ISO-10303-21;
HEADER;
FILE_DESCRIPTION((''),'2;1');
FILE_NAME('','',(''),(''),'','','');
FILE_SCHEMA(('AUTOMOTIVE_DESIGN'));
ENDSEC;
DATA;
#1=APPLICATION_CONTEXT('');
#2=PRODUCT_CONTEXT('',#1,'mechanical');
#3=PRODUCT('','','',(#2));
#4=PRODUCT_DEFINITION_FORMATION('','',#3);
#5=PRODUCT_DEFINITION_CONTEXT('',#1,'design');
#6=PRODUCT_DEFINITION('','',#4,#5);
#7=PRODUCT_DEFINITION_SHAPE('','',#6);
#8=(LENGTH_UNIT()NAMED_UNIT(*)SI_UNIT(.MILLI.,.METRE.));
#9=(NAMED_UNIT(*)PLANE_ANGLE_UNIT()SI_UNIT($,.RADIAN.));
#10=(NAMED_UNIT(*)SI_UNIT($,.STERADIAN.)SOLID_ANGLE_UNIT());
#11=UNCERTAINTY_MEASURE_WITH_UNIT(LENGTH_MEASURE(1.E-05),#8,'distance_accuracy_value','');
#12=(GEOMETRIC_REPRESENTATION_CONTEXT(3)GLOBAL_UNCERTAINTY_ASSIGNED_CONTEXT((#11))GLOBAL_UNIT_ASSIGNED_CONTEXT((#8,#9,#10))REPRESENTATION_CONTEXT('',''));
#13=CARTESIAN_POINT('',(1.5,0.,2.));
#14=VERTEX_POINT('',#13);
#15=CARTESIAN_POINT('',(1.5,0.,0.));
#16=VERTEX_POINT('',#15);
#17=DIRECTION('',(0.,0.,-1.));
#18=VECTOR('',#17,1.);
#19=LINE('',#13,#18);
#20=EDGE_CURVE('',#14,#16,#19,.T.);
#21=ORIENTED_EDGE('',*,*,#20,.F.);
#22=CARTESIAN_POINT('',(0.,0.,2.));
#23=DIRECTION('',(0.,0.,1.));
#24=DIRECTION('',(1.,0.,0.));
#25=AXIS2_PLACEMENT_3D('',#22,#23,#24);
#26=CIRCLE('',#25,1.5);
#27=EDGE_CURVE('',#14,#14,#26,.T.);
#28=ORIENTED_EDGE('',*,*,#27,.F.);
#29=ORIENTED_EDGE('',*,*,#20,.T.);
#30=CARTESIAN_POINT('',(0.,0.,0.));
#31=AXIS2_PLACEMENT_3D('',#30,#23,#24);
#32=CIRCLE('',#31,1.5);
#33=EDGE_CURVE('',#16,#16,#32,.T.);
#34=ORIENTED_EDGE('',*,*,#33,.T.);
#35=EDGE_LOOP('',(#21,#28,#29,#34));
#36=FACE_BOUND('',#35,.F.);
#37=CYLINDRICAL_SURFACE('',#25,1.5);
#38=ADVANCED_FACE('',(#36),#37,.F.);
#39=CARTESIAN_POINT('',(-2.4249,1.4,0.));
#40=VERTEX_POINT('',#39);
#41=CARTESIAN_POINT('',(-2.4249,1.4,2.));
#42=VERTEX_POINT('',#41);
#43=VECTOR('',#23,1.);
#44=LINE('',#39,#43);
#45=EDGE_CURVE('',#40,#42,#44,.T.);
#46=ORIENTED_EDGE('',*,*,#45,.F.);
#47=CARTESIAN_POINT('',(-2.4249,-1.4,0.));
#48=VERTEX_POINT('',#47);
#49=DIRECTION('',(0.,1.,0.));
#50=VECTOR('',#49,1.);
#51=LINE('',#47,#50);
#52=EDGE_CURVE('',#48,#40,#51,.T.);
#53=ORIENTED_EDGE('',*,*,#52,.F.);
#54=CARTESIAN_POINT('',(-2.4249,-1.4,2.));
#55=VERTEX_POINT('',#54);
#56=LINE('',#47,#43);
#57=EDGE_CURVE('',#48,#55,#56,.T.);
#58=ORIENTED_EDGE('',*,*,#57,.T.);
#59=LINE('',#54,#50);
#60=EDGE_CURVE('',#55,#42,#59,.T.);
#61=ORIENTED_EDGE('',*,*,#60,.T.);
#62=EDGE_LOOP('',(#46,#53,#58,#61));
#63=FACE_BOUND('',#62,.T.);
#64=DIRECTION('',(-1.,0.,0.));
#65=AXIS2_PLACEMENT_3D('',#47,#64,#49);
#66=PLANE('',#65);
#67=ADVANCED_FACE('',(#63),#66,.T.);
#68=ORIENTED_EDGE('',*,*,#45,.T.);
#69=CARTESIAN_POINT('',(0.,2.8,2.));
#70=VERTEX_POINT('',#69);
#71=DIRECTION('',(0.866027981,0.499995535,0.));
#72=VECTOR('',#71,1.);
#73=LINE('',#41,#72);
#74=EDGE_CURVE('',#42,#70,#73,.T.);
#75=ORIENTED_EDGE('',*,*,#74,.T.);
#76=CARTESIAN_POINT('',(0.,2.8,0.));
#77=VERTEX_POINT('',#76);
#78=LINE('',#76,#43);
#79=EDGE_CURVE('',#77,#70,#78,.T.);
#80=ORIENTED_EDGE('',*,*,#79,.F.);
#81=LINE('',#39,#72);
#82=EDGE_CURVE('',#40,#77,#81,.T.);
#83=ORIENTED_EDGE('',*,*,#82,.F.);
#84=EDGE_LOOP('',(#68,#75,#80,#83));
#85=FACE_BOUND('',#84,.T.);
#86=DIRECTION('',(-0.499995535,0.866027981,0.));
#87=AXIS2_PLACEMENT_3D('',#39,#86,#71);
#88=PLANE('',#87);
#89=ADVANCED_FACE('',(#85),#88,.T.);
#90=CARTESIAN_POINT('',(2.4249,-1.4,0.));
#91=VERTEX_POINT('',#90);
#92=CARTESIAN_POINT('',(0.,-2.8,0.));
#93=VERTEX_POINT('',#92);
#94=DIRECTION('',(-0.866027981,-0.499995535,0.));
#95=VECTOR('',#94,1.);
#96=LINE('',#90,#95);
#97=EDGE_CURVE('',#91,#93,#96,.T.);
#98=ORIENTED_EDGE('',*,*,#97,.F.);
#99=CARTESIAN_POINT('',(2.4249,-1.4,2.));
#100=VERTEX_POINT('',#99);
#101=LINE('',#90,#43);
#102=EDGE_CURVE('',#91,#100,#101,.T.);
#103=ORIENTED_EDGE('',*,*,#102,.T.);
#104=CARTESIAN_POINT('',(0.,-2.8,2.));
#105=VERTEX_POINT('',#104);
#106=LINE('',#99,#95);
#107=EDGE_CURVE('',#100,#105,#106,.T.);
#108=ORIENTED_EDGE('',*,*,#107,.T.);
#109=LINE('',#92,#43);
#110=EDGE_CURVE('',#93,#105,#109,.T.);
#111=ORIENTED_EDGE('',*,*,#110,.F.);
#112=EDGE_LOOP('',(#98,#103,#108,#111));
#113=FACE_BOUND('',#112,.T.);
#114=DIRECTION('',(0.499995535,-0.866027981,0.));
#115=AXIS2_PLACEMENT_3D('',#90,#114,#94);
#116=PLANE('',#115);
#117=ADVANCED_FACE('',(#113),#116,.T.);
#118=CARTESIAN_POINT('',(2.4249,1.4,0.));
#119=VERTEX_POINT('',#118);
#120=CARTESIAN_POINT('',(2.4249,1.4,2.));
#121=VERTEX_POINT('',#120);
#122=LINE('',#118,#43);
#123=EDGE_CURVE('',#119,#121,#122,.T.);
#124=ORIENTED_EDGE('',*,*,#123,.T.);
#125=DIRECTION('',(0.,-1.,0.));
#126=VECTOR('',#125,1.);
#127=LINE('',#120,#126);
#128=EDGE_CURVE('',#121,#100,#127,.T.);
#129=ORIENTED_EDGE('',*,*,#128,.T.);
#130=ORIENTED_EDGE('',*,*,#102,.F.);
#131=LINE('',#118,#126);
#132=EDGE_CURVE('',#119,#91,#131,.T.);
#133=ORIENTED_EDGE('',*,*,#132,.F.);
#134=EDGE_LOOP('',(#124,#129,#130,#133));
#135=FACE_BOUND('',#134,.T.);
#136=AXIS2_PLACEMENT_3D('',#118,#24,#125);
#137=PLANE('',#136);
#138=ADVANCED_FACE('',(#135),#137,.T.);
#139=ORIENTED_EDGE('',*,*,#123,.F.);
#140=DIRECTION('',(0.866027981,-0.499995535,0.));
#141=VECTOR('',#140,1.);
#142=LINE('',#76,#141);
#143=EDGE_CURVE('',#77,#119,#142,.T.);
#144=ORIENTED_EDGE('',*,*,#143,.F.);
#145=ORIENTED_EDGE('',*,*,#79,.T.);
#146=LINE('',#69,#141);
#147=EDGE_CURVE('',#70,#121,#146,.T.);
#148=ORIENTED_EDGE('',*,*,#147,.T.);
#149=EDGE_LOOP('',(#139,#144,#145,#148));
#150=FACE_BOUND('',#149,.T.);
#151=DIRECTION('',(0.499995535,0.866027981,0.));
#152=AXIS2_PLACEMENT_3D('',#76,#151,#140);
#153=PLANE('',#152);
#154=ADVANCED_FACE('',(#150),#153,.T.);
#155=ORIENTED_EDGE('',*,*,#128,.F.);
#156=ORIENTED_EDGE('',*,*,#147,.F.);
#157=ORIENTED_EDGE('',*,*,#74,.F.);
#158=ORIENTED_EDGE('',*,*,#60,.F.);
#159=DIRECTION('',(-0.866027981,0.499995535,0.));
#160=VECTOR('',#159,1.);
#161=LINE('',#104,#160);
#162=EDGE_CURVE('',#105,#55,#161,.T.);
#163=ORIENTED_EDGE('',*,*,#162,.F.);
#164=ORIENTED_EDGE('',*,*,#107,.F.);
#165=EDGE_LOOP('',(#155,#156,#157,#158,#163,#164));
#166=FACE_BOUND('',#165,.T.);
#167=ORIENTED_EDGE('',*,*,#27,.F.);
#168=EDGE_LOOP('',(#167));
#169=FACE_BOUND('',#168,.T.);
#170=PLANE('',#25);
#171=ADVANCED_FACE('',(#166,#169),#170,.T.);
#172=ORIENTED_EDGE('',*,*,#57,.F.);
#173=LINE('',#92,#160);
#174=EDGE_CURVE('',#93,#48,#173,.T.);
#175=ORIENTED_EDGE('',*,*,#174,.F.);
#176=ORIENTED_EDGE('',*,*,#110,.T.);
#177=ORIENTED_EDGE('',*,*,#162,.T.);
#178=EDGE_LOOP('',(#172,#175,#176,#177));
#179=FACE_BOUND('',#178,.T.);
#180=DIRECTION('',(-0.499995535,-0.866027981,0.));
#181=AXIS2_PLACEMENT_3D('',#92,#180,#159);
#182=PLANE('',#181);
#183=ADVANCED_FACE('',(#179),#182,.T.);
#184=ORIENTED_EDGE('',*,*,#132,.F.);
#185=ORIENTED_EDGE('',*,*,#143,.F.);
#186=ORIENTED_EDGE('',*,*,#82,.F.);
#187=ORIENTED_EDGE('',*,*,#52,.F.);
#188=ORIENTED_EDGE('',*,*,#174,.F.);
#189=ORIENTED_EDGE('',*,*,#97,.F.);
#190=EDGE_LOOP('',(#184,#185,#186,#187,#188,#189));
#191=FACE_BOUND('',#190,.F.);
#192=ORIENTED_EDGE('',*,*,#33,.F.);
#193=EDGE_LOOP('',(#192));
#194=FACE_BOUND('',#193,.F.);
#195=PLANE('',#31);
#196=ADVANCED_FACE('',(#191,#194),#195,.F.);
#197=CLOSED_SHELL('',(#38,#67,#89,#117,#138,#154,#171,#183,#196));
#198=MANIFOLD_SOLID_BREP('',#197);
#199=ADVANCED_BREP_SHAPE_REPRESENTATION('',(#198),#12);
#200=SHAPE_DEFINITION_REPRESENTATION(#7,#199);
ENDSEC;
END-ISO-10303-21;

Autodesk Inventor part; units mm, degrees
ref_plane "YZ Plane" through (0, 0, 0) normal (1, 0, 0) x (0, 1, 0)
ref_plane "XZ Plane" through (0, 0, 0) normal (0, 1, 0) x (-1, 0, 0)
ref_plane "XY Plane" through (0, 0, 0) normal (0, 0, 1) x (1, 0, 0)
sketch "Sketch1" plane through (0, 0, 0) normal (0, 0, 1) x (1, 0, 0)
  line L0 (0, -2.8) -> (-2.4249, -1.4)
  line L1 (-2.4249, -1.4) -> (-2.4249, 1.4)
  line L2 (-2.4249, 1.4) -> (0, 2.8)
  line L3 (0, 2.8) -> (2.4249, 1.4)
  line L4 (2.4249, 1.4) -> (2.4249, -1.4)
  line L5 (2.4249, -1.4) -> (0, -2.8)
  point P0 (0, 0)
  point P1 (0, 0)
  dimension "d0" = 2.8
extrude "Extrusion1" add sketch "Sketch1" along normal blind 2
sketch "Sketch2" plane through (0, 0, 2) normal (0, 0, 1) x (1, 0, 0)
  circle A0 centre (0, 0) radius 1.5
  dimension "d3" = 3
extrude "Extrusion2" cut sketch "Sketch2" against normal through all
properties part number "M3_nut"
